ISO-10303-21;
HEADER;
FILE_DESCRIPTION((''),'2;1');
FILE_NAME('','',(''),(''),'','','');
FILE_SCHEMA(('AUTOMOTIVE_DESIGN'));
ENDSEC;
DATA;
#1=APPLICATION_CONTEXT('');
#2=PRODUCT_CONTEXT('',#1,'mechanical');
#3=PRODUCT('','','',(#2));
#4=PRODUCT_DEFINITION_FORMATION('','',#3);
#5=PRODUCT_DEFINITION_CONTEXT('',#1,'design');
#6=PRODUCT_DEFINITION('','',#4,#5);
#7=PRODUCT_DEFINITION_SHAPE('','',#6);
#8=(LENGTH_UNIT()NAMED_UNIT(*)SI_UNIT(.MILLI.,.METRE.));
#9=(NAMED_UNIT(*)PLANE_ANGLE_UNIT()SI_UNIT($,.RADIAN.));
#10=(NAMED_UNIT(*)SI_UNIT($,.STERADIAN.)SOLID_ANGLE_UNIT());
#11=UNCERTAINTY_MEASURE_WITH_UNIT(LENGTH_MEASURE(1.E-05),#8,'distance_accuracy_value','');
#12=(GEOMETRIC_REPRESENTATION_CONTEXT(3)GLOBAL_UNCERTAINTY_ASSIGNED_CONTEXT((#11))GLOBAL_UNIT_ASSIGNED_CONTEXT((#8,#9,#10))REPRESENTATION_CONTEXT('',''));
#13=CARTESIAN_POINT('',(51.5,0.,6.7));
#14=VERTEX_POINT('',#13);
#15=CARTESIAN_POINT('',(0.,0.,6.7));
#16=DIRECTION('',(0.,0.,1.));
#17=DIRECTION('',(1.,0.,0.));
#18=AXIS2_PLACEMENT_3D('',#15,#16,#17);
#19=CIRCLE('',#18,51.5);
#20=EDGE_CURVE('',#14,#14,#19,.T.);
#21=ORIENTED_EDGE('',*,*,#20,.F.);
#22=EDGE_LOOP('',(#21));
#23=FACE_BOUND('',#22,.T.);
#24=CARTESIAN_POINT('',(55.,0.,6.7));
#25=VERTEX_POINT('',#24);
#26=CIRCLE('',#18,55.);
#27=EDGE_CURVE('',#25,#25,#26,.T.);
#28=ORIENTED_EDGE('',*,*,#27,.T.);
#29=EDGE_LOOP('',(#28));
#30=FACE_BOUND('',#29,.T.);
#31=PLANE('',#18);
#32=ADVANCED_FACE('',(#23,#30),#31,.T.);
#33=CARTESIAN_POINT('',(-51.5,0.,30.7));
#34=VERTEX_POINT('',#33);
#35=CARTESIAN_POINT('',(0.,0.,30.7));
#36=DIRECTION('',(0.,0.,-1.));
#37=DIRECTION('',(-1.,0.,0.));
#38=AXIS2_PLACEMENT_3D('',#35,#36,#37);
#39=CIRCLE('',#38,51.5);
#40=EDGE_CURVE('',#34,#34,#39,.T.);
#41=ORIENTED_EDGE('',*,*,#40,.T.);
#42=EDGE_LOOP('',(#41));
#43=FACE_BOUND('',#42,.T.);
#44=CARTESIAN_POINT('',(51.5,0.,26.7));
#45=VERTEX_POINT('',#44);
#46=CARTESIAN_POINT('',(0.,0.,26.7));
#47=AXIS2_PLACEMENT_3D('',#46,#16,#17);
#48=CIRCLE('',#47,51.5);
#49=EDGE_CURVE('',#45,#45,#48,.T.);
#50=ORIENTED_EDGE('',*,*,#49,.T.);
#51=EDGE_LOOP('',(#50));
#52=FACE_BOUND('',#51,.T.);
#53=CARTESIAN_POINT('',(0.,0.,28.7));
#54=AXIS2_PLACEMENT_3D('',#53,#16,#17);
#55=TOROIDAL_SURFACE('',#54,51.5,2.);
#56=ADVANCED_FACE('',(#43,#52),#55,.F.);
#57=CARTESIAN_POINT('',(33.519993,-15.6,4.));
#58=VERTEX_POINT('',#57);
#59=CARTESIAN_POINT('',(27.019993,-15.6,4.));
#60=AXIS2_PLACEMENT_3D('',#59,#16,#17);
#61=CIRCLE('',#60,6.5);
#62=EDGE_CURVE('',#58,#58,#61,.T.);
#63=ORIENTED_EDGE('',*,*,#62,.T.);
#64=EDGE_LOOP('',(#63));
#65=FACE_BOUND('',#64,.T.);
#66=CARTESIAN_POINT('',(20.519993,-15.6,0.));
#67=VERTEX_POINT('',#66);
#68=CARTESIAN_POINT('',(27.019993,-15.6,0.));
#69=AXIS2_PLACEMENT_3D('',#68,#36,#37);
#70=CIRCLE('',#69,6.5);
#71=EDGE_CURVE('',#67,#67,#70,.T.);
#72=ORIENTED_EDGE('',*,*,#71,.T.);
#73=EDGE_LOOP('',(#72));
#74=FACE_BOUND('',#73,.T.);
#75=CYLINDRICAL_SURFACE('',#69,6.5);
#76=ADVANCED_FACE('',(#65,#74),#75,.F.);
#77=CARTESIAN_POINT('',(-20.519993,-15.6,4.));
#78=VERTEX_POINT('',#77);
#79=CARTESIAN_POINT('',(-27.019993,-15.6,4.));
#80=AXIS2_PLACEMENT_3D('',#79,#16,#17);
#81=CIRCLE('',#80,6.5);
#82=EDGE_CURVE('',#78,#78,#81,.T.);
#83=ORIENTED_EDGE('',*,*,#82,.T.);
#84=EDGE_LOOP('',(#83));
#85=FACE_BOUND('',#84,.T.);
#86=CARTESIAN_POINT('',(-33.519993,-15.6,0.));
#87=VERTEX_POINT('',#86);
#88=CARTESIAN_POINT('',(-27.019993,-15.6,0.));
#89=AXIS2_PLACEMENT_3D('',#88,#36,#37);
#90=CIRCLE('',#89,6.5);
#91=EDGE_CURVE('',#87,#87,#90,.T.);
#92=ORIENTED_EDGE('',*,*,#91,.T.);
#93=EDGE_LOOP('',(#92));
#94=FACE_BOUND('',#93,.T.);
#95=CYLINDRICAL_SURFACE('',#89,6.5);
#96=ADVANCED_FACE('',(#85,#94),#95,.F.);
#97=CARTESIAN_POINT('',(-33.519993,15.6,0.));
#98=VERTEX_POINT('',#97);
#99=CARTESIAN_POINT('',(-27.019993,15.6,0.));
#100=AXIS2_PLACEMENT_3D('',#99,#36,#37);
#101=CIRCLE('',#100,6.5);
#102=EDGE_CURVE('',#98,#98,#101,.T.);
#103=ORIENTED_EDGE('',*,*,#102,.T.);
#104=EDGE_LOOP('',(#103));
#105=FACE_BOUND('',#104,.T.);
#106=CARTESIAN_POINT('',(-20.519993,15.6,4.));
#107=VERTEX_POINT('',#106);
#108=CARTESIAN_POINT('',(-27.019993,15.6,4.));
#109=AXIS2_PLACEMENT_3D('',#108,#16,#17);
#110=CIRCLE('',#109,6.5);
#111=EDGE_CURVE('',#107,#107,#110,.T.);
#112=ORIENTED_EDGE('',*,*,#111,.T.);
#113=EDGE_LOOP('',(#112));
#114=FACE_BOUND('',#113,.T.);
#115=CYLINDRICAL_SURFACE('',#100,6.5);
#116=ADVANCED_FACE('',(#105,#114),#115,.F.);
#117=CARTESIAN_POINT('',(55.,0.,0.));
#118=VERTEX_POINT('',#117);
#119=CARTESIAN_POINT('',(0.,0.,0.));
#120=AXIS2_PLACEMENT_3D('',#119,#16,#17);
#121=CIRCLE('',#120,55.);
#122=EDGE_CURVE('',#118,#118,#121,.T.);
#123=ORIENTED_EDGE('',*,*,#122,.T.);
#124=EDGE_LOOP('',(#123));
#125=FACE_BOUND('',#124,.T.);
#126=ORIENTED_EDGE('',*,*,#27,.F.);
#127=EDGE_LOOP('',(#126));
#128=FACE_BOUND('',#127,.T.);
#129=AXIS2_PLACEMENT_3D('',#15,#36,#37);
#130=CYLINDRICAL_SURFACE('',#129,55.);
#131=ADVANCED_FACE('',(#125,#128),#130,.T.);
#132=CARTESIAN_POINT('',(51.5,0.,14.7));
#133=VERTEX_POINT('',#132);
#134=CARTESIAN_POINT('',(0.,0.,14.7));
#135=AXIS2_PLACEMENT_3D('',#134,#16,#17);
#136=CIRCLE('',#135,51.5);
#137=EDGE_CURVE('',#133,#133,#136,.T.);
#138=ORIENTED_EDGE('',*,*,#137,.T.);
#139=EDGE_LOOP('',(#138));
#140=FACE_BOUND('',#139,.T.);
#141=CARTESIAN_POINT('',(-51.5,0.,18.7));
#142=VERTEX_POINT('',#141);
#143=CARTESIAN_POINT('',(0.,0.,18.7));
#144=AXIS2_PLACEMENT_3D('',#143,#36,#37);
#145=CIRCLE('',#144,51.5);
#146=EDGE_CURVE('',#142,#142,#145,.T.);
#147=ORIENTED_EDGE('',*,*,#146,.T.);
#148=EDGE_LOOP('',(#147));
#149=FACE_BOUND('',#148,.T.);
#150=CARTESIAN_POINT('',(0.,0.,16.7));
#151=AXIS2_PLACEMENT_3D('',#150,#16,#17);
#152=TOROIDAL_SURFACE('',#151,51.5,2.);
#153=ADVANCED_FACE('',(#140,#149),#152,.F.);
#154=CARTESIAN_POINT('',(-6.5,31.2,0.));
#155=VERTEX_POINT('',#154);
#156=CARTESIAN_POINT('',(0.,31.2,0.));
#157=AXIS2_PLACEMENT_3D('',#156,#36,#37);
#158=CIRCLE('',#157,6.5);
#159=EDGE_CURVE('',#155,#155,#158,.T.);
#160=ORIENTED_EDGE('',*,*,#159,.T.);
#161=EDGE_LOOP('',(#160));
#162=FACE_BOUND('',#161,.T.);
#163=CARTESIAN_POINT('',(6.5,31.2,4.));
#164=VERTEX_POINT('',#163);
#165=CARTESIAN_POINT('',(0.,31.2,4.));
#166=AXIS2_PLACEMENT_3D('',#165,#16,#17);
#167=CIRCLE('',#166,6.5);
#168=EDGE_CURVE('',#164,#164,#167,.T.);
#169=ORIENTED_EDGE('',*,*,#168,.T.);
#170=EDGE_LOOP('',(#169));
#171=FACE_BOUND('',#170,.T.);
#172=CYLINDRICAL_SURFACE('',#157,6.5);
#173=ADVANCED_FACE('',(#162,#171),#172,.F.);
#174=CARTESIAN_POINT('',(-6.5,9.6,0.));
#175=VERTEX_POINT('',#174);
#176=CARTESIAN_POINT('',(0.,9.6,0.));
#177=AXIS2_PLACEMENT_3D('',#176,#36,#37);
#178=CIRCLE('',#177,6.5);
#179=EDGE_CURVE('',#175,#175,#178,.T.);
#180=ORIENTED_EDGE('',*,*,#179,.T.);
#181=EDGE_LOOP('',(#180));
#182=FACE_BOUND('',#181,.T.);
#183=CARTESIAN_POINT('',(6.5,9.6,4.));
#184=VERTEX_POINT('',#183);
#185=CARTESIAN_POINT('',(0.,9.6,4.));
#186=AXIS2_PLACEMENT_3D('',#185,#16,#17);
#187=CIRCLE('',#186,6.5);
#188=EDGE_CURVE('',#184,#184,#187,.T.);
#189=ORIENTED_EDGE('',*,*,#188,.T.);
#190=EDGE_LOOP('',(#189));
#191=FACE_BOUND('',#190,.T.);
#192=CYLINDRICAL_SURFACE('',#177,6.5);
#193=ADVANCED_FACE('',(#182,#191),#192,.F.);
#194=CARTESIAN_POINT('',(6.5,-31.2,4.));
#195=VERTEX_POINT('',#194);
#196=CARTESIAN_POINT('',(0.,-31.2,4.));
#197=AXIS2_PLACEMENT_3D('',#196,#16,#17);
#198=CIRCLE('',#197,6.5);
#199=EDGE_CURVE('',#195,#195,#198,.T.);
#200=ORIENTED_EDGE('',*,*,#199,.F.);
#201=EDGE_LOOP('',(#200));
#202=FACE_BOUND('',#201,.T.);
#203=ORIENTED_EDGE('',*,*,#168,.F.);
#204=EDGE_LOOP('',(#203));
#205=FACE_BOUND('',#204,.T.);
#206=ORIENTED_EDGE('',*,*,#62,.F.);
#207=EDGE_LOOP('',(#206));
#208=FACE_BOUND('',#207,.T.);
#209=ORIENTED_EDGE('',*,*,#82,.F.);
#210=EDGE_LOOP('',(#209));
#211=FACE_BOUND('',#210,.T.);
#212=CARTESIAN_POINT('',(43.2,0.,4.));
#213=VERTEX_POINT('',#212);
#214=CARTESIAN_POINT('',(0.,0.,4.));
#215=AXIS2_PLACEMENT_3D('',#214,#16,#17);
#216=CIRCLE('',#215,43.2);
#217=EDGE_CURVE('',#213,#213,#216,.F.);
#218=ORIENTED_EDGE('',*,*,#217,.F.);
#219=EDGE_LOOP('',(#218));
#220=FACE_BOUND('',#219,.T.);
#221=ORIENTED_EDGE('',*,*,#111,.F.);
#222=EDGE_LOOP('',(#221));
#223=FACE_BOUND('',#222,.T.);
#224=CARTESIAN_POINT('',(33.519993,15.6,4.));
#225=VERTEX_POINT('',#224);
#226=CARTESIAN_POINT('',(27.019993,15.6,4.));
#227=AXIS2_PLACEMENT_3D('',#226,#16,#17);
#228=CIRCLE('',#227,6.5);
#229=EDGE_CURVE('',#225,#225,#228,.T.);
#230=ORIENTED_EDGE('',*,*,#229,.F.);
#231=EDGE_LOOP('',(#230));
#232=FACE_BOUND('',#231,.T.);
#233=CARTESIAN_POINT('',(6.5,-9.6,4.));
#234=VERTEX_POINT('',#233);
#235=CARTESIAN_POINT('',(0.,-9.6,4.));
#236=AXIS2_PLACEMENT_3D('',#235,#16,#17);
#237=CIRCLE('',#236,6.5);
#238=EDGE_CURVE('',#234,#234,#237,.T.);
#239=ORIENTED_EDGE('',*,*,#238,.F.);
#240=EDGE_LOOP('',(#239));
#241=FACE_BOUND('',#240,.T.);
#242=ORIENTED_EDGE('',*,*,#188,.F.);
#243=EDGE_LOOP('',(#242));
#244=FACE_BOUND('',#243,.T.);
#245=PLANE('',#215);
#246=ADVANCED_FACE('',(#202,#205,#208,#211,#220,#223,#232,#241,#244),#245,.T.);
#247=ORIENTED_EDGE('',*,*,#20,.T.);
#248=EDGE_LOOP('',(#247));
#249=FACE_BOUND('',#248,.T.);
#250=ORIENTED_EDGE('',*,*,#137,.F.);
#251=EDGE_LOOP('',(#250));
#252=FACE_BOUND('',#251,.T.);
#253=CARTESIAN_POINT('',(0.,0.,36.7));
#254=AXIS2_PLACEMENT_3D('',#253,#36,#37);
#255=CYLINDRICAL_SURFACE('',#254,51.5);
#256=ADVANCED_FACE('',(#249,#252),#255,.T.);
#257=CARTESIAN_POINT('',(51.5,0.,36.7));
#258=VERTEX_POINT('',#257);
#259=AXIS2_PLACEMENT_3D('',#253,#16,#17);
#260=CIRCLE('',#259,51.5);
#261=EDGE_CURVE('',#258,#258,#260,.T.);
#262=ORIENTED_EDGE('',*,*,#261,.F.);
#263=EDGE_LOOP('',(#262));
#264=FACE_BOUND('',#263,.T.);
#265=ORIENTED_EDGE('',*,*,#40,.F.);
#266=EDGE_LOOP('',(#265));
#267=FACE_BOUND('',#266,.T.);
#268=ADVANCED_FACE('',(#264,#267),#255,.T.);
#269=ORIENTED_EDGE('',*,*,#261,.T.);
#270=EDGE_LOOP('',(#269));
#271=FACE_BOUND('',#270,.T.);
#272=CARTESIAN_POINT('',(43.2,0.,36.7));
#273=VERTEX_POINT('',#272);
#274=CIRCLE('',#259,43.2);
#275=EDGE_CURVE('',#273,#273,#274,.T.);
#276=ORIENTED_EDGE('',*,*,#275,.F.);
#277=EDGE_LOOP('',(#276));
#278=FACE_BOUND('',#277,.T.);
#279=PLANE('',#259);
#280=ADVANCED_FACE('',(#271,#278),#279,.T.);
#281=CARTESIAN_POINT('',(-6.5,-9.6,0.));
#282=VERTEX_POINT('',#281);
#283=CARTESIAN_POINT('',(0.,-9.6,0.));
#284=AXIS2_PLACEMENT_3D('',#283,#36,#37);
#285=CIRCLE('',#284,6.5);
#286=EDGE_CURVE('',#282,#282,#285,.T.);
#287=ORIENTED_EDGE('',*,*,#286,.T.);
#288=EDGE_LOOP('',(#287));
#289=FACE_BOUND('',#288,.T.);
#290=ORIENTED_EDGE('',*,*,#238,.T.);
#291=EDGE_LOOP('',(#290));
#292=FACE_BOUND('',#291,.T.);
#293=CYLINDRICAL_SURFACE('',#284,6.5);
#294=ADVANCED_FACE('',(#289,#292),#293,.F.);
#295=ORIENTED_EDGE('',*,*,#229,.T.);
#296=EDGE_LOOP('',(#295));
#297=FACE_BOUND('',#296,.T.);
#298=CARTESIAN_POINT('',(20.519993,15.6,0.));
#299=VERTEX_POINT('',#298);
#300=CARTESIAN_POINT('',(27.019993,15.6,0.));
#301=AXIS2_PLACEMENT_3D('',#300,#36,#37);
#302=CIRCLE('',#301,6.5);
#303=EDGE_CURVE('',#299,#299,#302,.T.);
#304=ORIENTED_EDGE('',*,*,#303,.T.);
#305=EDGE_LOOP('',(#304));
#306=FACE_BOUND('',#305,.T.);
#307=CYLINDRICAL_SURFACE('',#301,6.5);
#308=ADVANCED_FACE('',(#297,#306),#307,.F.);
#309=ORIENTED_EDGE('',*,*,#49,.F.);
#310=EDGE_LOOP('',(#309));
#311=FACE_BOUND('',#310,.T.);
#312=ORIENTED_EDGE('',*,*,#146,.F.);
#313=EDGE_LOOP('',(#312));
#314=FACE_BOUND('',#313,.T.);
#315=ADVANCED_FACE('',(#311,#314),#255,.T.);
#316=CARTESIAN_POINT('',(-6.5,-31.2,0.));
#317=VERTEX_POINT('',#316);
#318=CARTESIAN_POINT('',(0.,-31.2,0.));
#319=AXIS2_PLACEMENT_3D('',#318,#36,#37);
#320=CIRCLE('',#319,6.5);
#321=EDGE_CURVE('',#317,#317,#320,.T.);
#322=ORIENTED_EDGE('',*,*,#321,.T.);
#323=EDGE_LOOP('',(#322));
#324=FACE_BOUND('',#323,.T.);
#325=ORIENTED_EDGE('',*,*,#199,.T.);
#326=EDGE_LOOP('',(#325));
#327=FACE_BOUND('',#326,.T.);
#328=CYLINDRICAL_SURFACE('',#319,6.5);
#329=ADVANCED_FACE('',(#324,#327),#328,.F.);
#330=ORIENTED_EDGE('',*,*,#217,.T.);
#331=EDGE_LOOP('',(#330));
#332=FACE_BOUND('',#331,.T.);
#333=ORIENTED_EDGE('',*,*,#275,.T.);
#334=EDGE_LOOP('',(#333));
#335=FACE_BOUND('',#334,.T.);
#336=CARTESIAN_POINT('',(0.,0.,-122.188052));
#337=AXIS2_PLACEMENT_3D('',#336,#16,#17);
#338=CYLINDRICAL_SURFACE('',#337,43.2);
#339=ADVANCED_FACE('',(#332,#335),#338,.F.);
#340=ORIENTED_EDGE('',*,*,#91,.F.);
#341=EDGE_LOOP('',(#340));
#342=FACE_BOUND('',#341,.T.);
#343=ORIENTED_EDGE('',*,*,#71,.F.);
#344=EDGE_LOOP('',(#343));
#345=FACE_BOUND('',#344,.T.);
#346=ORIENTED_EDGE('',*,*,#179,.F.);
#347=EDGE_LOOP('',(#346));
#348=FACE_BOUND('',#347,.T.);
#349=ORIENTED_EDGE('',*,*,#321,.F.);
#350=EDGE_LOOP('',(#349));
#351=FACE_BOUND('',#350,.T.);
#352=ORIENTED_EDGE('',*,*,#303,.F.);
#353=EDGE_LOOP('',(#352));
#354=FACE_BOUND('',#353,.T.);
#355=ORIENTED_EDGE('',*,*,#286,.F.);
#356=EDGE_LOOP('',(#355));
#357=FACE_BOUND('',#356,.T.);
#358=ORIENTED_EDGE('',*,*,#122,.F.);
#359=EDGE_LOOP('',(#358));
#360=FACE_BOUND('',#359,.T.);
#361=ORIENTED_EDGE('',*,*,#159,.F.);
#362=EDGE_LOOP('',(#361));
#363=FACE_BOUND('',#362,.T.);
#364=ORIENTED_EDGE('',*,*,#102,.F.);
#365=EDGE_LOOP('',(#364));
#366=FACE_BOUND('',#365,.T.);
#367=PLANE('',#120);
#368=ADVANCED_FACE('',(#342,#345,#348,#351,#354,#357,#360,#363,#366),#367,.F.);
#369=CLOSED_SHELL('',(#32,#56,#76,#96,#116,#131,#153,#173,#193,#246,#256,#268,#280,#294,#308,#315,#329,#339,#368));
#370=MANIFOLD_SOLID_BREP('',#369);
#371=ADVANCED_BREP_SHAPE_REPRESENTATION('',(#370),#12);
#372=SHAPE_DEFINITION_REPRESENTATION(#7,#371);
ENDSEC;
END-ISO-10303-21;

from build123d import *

# Parameters (mm, degrees)
CROQUIS1_R                    = 55
SALIENTE_EXTRUIR1_DEPTH       = 6.7
CROQUIS2_R                    = 51.5
SALIENTE_EXTRUIR2_DEPTH       = 30
CROQUIS3_R                    = 2
CROQUIS4_R                    = 43.2
CORTAR_EXTRUIR1_DEPTH         = 32.7
TALADRO_DE_MARGEN_PARA_M121_D = 13
MATRIZC1_COUNT                = 6
TALADRO_DE_MARGEN_PARA_M122_D = 13


with BuildPart() as part:
    # Croquis1 → Saliente-Extruir1 (new body)
    with BuildSketch(Plane.XY):
        Circle(CROQUIS1_R)
    extrude(amount=SALIENTE_EXTRUIR1_DEPTH)

    # Croquis2 → Saliente-Extruir2 (add)
    with BuildSketch(Plane.XY.offset(6.7)):
        Circle(CROQUIS2_R)
    extrude(amount=SALIENTE_EXTRUIR2_DEPTH)

    # Croquis3 → Cortar-Revolución1 (revolve, cut)
    with BuildSketch(Plane(origin=(0, 0, 0), x_dir=(1, 0, 0), z_dir=(0, 1, 0)), mode=Mode.PRIVATE) as cortar_revoluci_n1_sk:
        with Locations((-51.5, -16.7)):
            Circle(CROQUIS3_R)
        with Locations((-51.5, -28.7)):
            Circle(CROQUIS3_R)
    revolve(cortar_revoluci_n1_sk.sketch.rotate(Axis((0, 0, 36.878025431), (0, 0, -1)), 180), axis=Axis((0, 0, 36.878025431), (0, 0, -1)), mode=Mode.SUBTRACT)

    # Croquis4 → Cortar-Extruir1 (cut)
    with BuildSketch(Plane.XY.offset(36.7)):
        Circle(CROQUIS4_R)
    extrude(amount=-CORTAR_EXTRUIR1_DEPTH, mode=Mode.SUBTRACT)

    # Taladro de margen para M121 (through all)
    with Locations(Plane(origin=(0, 0, 0), x_dir=(-1, 0, 0), z_dir=(0, 0, -1))):
        with Locations((0, 31.2)):
            taladro_de_margen_para_m121 = Hole(TALADRO_DE_MARGEN_PARA_M121_D / 2)

    # MatrizC1: Taladro de margen para M121 ×6 about axis
    matrizc1_axis = Axis((0, 0, 0), (0, 0, 1))
    for i in range(1, MATRIZC1_COUNT):
        add(taladro_de_margen_para_m121.rotate(matrizc1_axis, i * 360 / MATRIZC1_COUNT), mode=Mode.SUBTRACT)

    # Taladro de margen para M122 (through all)
    with Locations(Plane(origin=(0, 0, 0), x_dir=(-1, 0, 0), z_dir=(0, 0, -1))):
        with Locations((0, -9.6)):
            taladro_de_margen_para_m122 = Hole(TALADRO_DE_MARGEN_PARA_M122_D / 2)

    # Simetría1: Taladro de margen para M122 across plane
    add(taladro_de_margen_para_m122.mirror(Plane.ZX), mode=Mode.SUBTRACT)


solid = part.part
